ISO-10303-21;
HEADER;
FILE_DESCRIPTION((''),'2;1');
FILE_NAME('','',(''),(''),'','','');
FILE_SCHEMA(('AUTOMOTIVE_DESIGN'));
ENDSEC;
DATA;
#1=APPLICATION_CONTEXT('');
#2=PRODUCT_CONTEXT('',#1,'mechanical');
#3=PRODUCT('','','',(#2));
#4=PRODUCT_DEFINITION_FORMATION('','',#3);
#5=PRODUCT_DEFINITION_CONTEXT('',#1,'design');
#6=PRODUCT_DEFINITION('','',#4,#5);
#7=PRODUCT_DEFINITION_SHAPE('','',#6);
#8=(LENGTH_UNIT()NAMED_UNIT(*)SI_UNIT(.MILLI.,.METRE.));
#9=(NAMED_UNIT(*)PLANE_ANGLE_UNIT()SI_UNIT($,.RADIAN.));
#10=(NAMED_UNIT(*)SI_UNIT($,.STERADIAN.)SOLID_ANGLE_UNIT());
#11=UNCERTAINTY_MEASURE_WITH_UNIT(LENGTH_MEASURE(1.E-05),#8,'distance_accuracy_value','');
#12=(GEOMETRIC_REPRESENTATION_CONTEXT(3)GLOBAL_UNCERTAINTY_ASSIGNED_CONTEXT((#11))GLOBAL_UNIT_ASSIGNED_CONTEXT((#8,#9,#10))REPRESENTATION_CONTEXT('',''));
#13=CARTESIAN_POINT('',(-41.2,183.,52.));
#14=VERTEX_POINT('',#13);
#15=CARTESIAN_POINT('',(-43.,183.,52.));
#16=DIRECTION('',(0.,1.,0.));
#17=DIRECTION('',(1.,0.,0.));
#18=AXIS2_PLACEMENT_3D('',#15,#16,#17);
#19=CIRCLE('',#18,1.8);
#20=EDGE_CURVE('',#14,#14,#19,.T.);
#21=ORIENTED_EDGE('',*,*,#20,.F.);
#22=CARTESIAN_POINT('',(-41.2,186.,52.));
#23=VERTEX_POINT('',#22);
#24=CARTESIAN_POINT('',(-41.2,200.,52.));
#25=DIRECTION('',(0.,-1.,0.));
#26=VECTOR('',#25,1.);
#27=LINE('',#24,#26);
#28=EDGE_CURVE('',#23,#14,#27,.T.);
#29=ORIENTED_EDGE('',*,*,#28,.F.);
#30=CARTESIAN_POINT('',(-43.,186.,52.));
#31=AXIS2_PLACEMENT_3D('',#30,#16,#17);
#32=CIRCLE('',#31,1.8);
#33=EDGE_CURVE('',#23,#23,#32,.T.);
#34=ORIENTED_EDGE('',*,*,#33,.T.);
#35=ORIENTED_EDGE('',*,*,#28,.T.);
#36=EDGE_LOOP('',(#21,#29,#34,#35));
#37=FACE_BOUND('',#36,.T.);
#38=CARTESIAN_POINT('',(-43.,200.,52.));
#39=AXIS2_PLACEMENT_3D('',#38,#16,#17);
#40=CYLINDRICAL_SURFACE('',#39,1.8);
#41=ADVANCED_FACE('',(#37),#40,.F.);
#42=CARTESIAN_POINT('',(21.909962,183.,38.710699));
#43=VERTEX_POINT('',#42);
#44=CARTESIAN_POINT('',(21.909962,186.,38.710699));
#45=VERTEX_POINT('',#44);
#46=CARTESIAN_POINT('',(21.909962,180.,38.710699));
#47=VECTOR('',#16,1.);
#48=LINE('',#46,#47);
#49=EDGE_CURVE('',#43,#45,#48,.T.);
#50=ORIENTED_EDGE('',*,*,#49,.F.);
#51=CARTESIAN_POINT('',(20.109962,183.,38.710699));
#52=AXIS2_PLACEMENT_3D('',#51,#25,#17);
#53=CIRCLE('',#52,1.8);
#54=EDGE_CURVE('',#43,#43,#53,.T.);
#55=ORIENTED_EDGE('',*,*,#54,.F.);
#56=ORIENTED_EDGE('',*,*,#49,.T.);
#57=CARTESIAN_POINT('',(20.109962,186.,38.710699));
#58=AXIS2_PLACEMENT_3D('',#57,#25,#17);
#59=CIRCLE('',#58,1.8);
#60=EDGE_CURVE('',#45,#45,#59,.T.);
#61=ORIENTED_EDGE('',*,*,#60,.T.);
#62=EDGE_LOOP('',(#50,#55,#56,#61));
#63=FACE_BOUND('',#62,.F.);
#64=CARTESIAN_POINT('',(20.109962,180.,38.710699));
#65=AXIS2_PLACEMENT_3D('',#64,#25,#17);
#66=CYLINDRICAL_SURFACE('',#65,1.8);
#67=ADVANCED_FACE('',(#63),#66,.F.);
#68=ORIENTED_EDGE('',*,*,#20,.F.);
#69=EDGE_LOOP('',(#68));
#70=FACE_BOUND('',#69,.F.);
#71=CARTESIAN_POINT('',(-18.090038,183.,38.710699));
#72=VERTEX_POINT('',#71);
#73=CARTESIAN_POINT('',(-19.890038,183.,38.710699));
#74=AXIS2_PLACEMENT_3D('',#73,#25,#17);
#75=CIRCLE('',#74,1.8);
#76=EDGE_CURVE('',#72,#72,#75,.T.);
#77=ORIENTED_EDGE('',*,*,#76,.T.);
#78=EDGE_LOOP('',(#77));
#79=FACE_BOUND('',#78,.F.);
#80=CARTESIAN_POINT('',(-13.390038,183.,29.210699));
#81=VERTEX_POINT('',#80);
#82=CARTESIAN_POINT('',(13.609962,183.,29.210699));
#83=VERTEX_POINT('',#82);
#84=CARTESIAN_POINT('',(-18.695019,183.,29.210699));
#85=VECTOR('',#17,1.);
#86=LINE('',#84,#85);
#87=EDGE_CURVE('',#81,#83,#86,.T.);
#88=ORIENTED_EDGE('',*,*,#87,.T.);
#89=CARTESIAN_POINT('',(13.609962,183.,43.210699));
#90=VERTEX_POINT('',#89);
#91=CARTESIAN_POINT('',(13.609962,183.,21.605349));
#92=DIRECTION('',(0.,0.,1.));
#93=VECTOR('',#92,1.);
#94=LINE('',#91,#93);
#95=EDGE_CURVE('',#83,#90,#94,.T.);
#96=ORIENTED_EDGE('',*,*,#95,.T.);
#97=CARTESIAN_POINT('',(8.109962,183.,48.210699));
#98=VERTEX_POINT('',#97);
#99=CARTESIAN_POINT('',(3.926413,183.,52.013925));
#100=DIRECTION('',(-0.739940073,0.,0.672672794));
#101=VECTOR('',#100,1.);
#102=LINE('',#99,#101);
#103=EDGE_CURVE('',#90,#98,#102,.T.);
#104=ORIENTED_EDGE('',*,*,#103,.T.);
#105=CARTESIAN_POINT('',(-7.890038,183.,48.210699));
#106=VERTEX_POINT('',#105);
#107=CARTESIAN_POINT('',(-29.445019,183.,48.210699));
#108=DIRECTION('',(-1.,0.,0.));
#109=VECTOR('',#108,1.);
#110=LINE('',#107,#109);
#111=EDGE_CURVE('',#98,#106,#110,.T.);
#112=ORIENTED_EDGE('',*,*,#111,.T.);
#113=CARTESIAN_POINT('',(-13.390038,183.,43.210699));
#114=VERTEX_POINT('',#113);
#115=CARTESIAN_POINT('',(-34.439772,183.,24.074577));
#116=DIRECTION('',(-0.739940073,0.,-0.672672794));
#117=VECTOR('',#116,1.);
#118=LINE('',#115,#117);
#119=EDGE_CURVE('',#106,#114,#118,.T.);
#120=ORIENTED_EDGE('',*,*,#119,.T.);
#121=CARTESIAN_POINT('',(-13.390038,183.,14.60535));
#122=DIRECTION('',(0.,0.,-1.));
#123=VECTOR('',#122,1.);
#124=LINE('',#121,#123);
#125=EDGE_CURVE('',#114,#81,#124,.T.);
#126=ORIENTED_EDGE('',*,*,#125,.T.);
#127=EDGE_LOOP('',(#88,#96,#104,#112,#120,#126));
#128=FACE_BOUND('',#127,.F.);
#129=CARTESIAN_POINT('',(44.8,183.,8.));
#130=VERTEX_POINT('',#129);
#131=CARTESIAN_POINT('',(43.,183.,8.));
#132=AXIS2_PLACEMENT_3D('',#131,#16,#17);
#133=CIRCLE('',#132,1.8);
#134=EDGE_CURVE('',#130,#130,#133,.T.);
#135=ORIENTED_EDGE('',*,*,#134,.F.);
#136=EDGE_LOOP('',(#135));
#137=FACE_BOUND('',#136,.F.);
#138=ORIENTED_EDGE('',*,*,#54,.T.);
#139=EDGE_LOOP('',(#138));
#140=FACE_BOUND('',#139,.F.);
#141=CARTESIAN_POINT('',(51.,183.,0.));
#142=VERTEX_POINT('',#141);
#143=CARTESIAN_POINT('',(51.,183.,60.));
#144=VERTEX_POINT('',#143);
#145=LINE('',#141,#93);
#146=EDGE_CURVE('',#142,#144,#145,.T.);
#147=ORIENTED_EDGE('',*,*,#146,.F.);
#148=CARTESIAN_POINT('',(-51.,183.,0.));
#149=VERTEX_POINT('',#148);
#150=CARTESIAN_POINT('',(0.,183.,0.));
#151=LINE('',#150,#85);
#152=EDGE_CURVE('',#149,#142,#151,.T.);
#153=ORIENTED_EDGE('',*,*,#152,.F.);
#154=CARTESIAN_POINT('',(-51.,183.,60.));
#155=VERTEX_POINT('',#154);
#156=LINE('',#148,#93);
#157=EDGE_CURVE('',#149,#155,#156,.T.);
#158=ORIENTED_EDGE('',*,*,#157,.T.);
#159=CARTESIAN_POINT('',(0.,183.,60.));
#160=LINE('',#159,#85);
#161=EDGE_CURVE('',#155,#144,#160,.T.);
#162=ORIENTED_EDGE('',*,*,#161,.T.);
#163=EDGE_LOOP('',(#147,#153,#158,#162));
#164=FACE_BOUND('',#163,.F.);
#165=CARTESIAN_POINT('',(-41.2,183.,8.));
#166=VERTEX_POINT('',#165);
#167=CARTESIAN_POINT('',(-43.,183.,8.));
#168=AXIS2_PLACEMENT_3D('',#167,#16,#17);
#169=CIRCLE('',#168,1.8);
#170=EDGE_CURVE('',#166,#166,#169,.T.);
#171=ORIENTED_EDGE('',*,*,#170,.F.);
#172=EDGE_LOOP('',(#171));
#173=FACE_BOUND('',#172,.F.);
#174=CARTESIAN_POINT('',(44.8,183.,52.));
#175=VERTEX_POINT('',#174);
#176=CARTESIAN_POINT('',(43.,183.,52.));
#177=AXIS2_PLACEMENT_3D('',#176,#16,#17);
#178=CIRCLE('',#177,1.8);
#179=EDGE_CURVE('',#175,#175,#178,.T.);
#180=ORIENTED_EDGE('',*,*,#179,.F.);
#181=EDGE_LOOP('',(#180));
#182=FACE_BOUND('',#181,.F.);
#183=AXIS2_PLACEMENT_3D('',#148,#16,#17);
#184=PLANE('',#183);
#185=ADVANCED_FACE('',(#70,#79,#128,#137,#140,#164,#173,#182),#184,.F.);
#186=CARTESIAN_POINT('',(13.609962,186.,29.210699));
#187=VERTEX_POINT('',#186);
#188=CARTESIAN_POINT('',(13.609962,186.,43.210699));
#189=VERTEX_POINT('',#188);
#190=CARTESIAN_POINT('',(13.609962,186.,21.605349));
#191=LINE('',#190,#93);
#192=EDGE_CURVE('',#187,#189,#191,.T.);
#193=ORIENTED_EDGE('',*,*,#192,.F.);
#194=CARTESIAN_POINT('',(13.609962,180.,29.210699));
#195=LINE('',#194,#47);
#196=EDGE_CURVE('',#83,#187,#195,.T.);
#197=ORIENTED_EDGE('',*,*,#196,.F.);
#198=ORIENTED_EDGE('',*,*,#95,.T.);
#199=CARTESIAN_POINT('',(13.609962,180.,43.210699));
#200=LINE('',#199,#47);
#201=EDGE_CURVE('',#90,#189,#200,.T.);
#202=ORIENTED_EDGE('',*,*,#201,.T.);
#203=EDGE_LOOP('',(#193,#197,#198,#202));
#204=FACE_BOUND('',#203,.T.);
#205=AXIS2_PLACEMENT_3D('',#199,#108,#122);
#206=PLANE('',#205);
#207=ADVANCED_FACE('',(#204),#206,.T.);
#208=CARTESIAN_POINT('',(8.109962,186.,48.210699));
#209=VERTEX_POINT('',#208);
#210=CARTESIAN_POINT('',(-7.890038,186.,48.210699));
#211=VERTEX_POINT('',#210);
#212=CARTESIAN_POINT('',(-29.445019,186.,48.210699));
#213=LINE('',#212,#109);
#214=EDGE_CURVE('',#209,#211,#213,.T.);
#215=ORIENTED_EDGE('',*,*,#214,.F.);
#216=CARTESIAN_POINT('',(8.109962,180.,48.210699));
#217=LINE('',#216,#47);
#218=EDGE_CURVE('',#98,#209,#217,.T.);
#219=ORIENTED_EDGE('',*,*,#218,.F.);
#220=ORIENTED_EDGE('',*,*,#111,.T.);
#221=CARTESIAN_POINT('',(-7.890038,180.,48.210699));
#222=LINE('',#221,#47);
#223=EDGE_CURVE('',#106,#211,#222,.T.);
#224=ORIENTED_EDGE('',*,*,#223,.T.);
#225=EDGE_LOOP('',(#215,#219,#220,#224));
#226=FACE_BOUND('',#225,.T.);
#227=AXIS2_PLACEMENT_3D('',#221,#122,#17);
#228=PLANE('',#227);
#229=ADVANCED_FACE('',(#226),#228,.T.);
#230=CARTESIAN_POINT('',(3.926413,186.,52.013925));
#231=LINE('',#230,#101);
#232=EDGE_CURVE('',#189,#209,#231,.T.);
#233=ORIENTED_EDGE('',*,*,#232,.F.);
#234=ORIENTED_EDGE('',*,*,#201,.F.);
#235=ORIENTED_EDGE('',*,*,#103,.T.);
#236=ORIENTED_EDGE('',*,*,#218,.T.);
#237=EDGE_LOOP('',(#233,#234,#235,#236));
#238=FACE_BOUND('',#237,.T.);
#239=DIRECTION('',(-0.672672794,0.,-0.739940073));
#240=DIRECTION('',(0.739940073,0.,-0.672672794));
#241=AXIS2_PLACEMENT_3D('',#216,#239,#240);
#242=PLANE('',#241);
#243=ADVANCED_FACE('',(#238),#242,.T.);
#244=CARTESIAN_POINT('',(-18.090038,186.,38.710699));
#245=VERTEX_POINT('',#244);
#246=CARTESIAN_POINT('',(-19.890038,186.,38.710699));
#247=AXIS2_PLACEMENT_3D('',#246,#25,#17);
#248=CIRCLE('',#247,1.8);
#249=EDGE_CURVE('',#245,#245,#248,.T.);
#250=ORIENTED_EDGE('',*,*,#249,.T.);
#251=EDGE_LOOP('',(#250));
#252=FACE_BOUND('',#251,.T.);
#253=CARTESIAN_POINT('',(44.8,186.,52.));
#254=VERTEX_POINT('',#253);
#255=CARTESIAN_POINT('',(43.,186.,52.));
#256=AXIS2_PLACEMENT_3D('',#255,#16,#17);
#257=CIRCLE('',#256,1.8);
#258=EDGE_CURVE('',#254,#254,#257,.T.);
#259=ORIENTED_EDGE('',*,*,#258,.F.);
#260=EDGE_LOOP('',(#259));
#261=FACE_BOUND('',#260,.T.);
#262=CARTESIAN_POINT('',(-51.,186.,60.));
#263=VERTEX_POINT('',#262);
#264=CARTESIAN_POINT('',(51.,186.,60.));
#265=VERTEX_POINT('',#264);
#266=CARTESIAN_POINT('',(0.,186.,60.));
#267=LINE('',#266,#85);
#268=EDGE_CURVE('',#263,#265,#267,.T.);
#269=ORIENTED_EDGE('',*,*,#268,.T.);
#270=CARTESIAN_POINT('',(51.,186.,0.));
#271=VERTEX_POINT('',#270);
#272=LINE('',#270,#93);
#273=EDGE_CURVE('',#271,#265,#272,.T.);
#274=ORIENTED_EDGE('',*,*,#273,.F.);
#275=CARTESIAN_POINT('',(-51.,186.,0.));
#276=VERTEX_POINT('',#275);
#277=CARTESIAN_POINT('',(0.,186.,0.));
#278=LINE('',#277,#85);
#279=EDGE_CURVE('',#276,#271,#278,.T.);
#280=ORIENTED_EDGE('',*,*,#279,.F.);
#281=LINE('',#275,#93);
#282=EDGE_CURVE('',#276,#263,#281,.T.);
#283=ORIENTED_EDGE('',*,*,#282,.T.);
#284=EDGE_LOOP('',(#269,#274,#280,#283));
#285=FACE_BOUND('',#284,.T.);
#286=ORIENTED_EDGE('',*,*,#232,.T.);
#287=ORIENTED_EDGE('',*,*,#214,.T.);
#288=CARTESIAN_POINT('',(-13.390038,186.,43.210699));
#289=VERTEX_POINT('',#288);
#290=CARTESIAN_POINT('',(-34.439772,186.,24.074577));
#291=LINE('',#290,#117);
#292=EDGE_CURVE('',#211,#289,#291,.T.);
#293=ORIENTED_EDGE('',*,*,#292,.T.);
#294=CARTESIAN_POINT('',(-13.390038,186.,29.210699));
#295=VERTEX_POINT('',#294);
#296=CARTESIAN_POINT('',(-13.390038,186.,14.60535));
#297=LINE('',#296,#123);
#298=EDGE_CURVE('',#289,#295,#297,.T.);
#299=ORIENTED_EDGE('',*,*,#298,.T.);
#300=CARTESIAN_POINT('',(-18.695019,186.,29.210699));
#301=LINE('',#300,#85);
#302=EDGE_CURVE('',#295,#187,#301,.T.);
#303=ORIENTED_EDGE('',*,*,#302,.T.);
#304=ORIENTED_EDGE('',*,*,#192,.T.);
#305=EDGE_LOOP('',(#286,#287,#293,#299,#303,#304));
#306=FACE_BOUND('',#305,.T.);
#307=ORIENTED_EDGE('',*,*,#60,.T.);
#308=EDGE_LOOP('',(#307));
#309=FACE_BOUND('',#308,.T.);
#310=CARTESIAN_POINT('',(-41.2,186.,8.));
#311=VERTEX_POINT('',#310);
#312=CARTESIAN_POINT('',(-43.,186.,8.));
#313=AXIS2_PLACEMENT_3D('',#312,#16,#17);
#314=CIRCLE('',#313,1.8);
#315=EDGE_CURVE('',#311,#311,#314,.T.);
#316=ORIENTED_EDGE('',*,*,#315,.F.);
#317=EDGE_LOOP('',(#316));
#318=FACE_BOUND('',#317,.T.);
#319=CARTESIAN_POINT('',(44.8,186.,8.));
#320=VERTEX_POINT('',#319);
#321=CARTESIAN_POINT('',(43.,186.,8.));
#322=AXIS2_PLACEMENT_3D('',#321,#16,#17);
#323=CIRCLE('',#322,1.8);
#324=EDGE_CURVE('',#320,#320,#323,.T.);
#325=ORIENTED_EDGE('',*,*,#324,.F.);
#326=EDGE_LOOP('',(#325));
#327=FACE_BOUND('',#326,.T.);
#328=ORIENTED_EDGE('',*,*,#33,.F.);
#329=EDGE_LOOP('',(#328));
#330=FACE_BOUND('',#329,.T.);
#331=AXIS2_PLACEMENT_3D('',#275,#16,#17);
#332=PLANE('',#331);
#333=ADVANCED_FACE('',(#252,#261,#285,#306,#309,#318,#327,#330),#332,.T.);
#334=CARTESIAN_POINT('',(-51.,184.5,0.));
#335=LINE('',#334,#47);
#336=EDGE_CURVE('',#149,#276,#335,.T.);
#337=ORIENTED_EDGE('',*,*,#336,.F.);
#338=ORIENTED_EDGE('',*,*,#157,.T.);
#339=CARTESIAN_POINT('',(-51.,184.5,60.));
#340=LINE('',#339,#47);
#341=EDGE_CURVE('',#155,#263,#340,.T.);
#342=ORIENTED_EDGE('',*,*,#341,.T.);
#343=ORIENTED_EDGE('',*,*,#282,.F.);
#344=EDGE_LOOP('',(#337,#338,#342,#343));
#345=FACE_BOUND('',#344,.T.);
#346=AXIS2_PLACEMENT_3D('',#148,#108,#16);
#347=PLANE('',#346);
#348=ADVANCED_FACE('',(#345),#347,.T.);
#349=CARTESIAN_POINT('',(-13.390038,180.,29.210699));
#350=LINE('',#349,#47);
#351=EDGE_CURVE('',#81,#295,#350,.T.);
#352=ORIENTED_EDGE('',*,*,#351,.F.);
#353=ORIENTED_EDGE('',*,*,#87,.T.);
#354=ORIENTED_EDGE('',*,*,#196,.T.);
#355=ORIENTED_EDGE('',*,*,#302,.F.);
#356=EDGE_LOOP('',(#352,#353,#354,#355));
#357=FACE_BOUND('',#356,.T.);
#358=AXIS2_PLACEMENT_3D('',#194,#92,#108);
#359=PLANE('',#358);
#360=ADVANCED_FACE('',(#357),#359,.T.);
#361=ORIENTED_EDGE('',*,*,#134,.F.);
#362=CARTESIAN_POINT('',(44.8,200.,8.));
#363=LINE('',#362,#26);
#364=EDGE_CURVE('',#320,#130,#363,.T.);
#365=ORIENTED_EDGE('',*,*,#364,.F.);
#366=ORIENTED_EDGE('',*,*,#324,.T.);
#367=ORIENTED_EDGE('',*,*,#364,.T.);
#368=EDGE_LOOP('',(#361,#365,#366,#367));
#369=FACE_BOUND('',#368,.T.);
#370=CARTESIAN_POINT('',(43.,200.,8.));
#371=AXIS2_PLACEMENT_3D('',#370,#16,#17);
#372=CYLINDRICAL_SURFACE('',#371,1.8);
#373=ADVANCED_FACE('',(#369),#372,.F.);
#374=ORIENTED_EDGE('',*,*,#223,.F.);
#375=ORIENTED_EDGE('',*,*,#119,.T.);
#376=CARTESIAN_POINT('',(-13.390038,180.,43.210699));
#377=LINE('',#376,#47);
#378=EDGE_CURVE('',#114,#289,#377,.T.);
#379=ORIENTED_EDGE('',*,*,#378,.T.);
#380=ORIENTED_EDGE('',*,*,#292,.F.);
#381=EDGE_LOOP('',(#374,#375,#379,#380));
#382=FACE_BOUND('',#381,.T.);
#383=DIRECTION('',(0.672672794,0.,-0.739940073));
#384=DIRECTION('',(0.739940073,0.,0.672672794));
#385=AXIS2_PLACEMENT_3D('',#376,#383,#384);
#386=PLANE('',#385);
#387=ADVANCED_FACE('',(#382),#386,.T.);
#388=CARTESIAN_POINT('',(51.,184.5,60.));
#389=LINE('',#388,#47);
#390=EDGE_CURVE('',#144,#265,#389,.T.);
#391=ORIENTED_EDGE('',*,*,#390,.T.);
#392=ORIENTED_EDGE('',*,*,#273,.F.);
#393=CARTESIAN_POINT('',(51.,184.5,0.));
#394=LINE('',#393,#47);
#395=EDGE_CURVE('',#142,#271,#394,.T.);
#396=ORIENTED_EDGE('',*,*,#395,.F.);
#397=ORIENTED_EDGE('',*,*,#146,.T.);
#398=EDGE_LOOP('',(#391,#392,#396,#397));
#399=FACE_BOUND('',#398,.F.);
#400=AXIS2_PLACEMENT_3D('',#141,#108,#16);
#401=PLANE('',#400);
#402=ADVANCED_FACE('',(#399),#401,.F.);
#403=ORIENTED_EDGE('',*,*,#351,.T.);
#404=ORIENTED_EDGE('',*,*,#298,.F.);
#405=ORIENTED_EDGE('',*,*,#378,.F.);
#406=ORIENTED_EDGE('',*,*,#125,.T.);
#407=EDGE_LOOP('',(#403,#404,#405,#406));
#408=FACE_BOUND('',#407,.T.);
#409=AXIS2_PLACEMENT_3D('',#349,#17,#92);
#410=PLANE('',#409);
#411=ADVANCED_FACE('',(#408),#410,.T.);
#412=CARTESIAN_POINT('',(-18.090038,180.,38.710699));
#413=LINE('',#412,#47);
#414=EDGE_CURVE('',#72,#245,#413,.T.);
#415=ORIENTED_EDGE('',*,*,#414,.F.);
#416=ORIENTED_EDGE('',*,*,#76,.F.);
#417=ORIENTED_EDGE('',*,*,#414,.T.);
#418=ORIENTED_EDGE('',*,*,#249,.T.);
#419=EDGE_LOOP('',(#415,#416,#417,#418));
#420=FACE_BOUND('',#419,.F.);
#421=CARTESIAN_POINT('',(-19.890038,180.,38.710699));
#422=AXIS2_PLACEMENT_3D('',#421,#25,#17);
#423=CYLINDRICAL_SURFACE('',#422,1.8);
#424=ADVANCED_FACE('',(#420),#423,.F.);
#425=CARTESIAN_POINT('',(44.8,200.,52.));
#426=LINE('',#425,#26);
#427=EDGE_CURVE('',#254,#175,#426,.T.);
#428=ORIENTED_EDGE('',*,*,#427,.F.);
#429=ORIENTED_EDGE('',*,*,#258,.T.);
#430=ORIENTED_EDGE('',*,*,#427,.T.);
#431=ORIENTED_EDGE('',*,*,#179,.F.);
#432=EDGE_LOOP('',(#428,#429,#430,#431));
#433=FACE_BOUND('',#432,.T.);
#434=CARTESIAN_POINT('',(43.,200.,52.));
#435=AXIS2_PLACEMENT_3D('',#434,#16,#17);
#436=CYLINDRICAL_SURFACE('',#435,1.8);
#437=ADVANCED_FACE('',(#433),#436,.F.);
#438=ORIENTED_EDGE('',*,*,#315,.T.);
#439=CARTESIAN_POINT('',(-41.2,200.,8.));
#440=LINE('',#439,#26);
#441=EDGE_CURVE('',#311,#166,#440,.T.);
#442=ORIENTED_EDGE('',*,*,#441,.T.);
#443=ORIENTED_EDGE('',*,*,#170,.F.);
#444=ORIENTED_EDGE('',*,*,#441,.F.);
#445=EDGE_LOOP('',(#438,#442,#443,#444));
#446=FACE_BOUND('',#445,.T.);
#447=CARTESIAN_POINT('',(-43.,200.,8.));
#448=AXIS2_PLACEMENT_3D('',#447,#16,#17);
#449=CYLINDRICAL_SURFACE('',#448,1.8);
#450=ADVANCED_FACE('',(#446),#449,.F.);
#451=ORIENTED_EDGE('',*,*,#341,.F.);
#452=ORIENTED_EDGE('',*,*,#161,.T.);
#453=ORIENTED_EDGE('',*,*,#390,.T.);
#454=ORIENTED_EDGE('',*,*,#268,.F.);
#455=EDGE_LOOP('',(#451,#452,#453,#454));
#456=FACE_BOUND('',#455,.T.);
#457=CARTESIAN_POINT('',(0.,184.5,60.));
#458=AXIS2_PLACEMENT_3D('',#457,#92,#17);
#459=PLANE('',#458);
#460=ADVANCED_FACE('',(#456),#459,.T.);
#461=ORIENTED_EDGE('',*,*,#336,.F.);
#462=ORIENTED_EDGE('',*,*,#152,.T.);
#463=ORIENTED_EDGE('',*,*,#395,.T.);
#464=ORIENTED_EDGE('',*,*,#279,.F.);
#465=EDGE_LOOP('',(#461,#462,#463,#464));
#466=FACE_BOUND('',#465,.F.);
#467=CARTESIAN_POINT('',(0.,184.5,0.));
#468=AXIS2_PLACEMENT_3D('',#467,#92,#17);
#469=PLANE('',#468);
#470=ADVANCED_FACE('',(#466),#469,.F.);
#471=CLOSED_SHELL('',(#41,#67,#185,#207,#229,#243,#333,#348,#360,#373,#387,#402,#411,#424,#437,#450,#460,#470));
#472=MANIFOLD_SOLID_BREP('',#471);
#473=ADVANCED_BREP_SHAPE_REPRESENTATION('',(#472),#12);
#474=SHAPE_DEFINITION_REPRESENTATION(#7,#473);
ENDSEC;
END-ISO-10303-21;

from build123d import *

# Parameters (mm, degrees)
SKETCH003_R                = 1.8
EXTRUDE002_DEPTH           = 10
EXTRUDE002_PLACEMENT_ANGLE = 90
CYLINDER002_R              = 1.8
CYLINDER002_DEPTH          = 200
ARRAY_X_COUNT              = 2
ARRAY_X_PITCH              = 86
ARRAY_Z_COUNT              = 2
ARRAY_Z_PITCH              = 44
BOX008_W                   = 102
BOX008_H                   = 3
BOX008_DEPTH               = 60


with BuildPart() as power_input_extrude:
    # Sketch003 → Extrude002 (new body)
    with BuildSketch(Plane.XY):
        with Locations((39.109962, 21.410699)):
            Circle(SKETCH003_R)
        with Locations((79.109962, 21.410699)):
            Circle(SKETCH003_R)
        Polygon((45.609962, 11.910699), (45.609962, 25.910699), (51.109962, 30.910699), (67.109962, 30.910699), (72.609962, 25.910699), (72.609962, 11.910699), align=None)
    extrude(amount=-EXTRUDE002_DEPTH)


with BuildPart() as power_input_extrude_1:
    # Extrude002 placement: moved
    add(power_input_extrude.part.moved(Location((-59, 180, 17.3))).rotate(Axis((-59, 180, 17.3), (1, 0, 0)), EXTRUDE002_PLACEMENT_ANGLE))


with BuildPart() as back_wall_hole_fusion:
    # Cylinder002 → Cylinder002 (new body)
    with BuildSketch(Plane(origin=(-43, 200, 8), x_dir=(1, 0, 0), z_dir=(0, -1, 0))):
        Circle(CYLINDER002_R)
    extrude(amount=CYLINDER002_DEPTH)

    # Array X: back wall hole fusion ×2


with BuildPart() as back_wall_hole_fusion_1:
    add(back_wall_hole_fusion.part)
    with Locations(*[(i * ARRAY_X_PITCH, 0, 0) for i in range(1, ARRAY_X_COUNT)]):
        add(back_wall_hole_fusion.part)

    # Array Z: back wall hole fusion ×2


with BuildPart() as back_wall_hole_fusion_2:
    add(back_wall_hole_fusion_1.part)
    with Locations(*[(0, 0, i * ARRAY_Z_PITCH) for i in range(1, ARRAY_Z_COUNT)]):
        add(back_wall_hole_fusion_1.part)

    # Fusion006: union power input extrude
    add(power_input_extrude_1.part)


with BuildPart() as back_wall_cut:
    # Box008 → Box008 (new body)
    with BuildSketch(Plane(origin=(-51, 183, 0), x_dir=(1, 0, 0), z_dir=(0, 0, 1))):
        with Locations((51, 1.5)):
            Rectangle(BOX008_W, BOX008_H)
    extrude(amount=BOX008_DEPTH)

    # Cut009: cut back wall hole fusion
    add(back_wall_hole_fusion_2.part, mode=Mode.SUBTRACT)


solid = back_wall_cut.part
